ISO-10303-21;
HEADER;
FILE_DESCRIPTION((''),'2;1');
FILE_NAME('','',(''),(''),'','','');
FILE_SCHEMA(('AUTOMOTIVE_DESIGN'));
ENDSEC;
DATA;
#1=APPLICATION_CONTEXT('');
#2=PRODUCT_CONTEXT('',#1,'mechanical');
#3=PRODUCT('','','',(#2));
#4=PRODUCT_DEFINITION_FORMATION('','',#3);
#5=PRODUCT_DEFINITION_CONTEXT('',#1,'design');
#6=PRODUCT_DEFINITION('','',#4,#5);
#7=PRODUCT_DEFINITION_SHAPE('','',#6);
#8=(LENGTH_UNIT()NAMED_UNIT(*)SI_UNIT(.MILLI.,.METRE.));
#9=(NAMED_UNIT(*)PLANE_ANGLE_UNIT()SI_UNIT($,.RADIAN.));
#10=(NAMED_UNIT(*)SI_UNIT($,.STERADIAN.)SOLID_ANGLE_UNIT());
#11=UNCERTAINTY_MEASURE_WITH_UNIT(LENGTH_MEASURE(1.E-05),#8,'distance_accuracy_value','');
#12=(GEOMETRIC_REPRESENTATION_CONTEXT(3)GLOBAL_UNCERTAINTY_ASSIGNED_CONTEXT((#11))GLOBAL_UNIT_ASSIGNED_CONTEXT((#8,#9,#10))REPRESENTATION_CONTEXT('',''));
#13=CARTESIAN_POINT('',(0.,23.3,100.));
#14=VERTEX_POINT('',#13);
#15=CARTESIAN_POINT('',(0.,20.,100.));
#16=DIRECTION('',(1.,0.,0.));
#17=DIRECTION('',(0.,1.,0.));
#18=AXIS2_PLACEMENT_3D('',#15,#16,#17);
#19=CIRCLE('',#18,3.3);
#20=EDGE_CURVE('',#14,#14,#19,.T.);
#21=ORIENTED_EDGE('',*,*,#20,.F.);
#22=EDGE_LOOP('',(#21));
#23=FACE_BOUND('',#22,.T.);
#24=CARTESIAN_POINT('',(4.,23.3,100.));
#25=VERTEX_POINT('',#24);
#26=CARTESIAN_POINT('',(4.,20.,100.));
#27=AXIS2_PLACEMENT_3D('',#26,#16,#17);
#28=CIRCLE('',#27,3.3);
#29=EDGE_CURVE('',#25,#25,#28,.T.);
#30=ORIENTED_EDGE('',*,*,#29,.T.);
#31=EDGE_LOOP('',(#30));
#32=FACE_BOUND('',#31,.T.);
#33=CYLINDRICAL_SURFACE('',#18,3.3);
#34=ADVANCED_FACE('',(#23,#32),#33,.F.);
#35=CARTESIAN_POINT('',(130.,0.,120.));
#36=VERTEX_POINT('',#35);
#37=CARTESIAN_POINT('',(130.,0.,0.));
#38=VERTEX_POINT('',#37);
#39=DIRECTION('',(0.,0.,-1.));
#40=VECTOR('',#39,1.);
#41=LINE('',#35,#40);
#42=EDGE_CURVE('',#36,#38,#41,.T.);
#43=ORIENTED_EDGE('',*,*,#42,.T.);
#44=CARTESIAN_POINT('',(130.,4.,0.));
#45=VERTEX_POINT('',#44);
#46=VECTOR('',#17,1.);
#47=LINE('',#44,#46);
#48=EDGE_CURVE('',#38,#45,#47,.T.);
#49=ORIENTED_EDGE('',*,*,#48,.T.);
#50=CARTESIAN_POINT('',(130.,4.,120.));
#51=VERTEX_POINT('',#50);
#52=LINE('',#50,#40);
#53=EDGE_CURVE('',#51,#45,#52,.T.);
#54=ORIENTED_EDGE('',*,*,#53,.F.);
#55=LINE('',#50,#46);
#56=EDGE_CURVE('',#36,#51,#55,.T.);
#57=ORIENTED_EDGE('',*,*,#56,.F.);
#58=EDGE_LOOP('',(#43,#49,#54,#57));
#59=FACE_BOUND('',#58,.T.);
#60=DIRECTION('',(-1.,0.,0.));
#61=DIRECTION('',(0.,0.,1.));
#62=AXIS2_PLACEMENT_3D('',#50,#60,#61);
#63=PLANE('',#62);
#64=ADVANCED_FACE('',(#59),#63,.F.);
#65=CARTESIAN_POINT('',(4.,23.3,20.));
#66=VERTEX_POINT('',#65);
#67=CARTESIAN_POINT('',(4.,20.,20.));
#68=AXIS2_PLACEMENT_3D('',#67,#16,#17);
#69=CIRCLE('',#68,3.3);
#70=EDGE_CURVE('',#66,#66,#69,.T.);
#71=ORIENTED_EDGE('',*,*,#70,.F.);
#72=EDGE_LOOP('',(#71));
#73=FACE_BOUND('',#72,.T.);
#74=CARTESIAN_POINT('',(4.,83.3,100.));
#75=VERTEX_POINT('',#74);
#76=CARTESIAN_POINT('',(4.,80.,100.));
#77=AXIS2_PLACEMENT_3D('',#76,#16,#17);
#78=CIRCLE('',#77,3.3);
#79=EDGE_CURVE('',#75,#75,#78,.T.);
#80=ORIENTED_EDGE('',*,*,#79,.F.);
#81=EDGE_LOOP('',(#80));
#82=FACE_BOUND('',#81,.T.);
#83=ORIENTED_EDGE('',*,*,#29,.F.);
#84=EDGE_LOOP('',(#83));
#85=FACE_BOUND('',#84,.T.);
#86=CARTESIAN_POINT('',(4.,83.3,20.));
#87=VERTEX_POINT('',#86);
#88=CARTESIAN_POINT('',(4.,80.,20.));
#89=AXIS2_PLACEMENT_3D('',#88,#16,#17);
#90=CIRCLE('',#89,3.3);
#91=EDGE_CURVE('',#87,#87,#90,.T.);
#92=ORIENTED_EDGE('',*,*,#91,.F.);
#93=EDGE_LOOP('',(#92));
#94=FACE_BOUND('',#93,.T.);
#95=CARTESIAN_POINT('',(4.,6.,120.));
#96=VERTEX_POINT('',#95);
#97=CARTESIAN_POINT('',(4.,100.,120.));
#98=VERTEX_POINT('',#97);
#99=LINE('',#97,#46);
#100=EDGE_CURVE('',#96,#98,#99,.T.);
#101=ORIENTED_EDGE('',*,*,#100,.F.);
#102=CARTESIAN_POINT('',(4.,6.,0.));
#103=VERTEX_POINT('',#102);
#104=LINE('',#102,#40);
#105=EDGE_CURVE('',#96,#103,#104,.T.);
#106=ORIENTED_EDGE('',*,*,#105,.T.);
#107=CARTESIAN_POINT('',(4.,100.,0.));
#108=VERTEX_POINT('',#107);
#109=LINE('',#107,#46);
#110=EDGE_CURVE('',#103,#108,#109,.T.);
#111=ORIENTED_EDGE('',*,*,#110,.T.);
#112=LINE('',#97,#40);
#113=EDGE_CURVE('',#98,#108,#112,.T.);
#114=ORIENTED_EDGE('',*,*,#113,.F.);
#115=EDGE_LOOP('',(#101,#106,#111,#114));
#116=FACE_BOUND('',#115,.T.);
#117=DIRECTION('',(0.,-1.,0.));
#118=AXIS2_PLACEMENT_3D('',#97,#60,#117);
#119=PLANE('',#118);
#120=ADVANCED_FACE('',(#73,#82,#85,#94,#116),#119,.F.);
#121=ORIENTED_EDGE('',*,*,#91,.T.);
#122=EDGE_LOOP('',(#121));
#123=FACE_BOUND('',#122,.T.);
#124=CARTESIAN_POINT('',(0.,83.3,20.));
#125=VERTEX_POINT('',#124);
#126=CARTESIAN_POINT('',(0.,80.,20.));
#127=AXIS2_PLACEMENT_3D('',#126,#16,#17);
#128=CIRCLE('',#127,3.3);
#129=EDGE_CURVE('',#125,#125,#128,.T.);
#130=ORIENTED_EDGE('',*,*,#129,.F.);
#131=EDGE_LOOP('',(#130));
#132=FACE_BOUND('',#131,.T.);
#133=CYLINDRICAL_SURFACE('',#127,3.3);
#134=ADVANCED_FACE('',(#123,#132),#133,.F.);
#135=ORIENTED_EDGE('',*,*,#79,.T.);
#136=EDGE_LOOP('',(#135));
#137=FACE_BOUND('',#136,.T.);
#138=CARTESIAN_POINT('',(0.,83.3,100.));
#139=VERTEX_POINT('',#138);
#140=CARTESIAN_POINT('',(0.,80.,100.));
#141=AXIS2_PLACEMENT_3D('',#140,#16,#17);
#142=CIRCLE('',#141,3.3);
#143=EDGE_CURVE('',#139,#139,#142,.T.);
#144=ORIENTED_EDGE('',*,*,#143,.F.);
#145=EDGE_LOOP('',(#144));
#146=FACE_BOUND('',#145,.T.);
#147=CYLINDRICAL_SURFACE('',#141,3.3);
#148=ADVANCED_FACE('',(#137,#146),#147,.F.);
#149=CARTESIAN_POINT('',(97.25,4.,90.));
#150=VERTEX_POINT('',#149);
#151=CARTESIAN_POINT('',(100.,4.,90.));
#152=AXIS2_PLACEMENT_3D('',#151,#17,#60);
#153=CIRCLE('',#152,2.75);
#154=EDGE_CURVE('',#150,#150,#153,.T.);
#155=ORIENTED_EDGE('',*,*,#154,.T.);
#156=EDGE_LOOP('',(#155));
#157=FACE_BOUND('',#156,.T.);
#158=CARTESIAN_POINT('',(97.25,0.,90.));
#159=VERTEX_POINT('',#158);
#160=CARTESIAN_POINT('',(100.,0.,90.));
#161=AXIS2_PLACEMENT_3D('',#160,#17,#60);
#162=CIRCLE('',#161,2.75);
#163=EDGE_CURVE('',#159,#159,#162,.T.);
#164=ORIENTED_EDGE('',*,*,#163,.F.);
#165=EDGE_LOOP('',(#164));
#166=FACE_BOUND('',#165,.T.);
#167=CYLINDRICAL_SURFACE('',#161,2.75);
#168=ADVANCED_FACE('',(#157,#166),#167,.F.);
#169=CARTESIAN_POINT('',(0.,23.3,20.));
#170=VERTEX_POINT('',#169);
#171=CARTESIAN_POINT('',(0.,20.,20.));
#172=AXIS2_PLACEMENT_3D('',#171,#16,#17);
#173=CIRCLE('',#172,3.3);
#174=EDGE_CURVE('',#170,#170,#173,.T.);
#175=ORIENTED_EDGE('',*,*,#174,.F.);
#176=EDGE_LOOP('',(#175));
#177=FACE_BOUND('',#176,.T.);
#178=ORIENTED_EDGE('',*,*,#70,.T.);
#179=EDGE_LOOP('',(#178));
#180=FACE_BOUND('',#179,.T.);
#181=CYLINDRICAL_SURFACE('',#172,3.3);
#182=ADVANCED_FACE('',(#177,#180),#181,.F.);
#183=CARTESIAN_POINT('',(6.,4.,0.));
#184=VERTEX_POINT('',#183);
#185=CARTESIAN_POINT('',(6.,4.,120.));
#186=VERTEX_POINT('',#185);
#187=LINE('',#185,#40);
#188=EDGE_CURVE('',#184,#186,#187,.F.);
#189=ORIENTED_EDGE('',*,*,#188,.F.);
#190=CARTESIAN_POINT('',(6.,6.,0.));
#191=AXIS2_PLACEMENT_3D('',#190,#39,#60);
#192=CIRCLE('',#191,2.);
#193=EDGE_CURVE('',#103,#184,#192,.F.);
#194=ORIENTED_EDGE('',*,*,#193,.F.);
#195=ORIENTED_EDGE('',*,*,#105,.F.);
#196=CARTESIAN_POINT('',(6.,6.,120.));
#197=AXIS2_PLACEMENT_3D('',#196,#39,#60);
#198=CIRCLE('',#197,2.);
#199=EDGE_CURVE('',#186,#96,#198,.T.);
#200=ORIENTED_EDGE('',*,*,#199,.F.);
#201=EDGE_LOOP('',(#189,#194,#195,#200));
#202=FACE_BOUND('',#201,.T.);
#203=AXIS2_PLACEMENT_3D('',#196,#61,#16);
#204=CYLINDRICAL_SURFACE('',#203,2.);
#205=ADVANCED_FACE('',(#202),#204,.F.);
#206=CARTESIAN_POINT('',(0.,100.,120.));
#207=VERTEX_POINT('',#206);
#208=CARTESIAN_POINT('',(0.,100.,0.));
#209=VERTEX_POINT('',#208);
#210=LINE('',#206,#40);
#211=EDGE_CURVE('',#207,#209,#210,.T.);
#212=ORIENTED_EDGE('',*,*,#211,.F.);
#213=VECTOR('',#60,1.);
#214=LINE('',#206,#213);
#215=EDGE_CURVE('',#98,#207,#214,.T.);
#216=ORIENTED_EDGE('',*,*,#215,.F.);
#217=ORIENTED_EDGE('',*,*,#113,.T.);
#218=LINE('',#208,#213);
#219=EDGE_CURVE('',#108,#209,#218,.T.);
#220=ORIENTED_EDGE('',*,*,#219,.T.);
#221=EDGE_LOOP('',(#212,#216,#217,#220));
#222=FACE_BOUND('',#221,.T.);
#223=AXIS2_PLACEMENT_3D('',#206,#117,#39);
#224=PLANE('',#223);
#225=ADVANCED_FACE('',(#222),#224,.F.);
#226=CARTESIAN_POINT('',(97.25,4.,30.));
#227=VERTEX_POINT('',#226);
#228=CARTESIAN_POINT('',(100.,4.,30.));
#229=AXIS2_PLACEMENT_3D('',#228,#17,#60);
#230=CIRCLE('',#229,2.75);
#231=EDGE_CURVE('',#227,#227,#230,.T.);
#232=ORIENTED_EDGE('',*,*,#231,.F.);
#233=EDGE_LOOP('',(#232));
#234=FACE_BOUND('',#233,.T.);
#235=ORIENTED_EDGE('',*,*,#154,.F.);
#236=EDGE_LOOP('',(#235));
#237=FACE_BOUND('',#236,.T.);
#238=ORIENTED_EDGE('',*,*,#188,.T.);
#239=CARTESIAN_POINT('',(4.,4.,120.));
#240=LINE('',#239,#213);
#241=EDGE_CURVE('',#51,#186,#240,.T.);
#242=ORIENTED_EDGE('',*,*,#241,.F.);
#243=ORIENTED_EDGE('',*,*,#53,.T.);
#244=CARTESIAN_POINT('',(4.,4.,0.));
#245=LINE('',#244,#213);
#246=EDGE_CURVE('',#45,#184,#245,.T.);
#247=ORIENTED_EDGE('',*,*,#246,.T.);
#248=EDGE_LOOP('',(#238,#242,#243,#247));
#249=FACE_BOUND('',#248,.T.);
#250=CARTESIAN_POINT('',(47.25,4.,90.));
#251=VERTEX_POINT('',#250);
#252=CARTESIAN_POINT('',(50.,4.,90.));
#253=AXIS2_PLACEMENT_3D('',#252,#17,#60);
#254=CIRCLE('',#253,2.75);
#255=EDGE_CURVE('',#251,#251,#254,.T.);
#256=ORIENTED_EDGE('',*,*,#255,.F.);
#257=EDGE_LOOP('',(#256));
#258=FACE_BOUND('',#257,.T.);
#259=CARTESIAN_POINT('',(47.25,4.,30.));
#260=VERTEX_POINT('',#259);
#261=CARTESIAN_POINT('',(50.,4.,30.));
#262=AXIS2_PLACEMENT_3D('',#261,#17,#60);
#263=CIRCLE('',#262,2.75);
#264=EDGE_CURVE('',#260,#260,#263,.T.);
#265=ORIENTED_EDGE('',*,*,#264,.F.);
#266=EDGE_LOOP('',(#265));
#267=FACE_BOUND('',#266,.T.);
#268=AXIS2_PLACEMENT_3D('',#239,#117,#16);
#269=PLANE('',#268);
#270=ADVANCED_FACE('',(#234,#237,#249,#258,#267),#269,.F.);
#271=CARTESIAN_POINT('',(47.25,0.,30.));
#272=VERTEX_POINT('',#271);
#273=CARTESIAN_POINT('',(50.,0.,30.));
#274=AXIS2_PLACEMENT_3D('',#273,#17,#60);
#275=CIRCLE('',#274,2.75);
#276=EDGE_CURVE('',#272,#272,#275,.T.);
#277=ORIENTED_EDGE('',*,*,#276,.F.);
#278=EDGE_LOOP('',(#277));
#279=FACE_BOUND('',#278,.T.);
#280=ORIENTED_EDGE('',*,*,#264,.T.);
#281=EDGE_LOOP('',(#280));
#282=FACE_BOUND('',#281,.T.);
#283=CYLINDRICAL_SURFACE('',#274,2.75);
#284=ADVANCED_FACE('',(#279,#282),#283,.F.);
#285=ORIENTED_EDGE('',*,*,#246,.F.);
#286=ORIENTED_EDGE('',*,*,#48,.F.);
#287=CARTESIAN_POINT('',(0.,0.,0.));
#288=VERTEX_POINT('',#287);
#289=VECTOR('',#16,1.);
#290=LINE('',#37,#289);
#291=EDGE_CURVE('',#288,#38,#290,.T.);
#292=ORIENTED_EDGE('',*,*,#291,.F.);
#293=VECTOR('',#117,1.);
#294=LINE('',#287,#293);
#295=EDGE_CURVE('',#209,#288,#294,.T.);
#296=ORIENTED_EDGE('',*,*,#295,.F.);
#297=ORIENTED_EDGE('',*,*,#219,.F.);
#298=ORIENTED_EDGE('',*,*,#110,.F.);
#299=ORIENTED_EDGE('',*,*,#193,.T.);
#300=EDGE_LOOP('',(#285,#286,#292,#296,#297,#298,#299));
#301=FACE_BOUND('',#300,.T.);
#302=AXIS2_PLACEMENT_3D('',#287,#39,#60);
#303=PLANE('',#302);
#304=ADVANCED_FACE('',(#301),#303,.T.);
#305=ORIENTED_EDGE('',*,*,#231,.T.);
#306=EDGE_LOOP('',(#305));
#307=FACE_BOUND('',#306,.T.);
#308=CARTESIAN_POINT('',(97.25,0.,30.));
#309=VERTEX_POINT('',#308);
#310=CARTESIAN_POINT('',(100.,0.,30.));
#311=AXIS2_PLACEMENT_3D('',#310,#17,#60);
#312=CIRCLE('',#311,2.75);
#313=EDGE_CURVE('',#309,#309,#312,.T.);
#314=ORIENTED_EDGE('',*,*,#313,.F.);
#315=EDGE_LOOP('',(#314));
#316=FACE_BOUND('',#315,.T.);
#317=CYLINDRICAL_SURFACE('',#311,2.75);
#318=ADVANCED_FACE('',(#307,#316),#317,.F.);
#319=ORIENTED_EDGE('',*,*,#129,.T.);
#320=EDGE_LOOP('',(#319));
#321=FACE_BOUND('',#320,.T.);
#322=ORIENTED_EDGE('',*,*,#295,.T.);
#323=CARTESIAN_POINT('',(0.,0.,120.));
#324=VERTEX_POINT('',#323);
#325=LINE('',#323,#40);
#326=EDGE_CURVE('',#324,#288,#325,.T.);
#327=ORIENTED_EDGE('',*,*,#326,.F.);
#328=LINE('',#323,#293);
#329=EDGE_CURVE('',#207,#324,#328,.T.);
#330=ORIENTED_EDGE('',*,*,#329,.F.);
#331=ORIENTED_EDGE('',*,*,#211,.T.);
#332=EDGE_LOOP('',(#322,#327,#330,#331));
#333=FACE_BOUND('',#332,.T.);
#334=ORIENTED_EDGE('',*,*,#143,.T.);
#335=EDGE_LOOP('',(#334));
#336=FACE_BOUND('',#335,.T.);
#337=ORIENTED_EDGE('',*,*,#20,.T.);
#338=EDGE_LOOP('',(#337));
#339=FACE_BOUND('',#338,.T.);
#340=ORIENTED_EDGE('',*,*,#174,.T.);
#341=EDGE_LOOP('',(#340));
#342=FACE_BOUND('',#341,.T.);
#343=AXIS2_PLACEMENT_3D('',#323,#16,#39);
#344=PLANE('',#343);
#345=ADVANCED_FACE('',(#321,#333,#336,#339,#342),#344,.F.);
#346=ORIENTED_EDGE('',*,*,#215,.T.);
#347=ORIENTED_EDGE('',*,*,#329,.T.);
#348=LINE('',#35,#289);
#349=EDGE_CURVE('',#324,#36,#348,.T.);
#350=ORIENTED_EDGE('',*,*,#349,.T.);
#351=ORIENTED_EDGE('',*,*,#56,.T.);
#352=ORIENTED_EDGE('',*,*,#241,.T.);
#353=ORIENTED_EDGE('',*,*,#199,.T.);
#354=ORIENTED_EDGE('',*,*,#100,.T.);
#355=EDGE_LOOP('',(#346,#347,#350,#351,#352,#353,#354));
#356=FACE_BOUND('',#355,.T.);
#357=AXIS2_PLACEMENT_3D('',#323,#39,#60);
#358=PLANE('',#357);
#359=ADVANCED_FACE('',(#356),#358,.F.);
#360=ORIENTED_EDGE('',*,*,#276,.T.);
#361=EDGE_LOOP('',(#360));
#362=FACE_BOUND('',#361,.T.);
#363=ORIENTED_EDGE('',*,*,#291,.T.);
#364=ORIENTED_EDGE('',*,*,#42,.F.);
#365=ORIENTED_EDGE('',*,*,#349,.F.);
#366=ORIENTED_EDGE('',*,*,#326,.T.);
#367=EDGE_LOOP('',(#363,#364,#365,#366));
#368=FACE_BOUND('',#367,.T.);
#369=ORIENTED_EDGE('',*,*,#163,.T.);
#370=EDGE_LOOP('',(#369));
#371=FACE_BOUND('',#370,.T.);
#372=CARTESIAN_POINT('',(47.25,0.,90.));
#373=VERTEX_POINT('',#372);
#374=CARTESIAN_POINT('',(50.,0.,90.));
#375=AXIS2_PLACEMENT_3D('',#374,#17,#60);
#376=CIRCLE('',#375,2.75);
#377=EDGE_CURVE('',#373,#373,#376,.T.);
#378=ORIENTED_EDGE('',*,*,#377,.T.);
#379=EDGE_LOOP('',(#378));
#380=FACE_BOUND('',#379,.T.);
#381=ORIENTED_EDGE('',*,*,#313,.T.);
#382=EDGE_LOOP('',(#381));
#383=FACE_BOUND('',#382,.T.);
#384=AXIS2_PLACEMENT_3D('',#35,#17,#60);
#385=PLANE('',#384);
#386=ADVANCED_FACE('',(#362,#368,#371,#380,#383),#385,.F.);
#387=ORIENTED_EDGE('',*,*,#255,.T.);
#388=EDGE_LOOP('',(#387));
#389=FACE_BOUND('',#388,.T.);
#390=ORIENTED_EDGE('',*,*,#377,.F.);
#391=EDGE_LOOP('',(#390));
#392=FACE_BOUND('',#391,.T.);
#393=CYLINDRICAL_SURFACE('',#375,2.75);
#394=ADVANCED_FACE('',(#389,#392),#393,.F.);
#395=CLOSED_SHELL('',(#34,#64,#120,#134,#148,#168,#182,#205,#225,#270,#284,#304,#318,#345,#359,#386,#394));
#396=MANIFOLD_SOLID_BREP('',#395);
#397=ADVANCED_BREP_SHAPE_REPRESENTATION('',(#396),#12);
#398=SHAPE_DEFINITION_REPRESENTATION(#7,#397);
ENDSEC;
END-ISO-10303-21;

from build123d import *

# Parameters (mm, degrees)
BOSS_EXTRUDE1_DEPTH = 120
SKETCH4_R           = 3.3
CUT_EXTRUDE1_DEPTH  = 201.688813839
SKETCH5_R           = 2.75
CUT_EXTRUDE2_DEPTH  = 202.285866369
FILLET1_R           = 2


with BuildPart() as part:
    # Sketch2 → Boss-Extrude1 (new body)
    with BuildSketch(Plane.XY):
        Polygon((0, 0), (0, 100), (4, 100), (4, 4), (130, 4), (130, 0), align=None)
    extrude(amount=BOSS_EXTRUDE1_DEPTH)

    # Sketch4 → Cut-Extrude1 (cut, through all)
    with BuildSketch(Plane(origin=(4, 0, 0), x_dir=(0, 0, -1), z_dir=(1, 0, 0))):
        with Locations(Location((-100, 80, 0), (0, 0, 90))):
            Circle(SKETCH4_R)
        with Locations(Location((-20, 80, 0), (0, 0, 90))):
            Circle(SKETCH4_R)
        with Locations(Location((-20, 20, 0), (0, 0, 90))):
            Circle(SKETCH4_R)
        with Locations(Location((-100, 20, 0), (0, 0, 90))):
            Circle(SKETCH4_R)
    extrude(amount=-CUT_EXTRUDE1_DEPTH, mode=Mode.SUBTRACT)

    # Sketch5 → Cut-Extrude2 (cut, through all)
    with BuildSketch(Plane(origin=(0, 4, 0), x_dir=(1, 0, 0), z_dir=(0, 1, 0))):
        with Locations(Location((100, -30, 0), (0, 0, 180))):
            Circle(SKETCH5_R)
        with Locations(Location((50, -30, 0), (0, 0, 180))):
            Circle(SKETCH5_R)
        with Locations(Location((50, -90, 0), (0, 0, 180))):
            Circle(SKETCH5_R)
        with Locations(Location((100, -90, 0), (0, 0, 180))):
            Circle(SKETCH5_R)
    extrude(amount=-CUT_EXTRUDE2_DEPTH, mode=Mode.SUBTRACT)

    # Fillet1
    fillet1_edges = [part.edges().sort_by_distance(p)[0] for p in [
        (4, 4, 60),
    ]]
    fillet(fillet1_edges, radius=FILLET1_R)


solid = part.part
